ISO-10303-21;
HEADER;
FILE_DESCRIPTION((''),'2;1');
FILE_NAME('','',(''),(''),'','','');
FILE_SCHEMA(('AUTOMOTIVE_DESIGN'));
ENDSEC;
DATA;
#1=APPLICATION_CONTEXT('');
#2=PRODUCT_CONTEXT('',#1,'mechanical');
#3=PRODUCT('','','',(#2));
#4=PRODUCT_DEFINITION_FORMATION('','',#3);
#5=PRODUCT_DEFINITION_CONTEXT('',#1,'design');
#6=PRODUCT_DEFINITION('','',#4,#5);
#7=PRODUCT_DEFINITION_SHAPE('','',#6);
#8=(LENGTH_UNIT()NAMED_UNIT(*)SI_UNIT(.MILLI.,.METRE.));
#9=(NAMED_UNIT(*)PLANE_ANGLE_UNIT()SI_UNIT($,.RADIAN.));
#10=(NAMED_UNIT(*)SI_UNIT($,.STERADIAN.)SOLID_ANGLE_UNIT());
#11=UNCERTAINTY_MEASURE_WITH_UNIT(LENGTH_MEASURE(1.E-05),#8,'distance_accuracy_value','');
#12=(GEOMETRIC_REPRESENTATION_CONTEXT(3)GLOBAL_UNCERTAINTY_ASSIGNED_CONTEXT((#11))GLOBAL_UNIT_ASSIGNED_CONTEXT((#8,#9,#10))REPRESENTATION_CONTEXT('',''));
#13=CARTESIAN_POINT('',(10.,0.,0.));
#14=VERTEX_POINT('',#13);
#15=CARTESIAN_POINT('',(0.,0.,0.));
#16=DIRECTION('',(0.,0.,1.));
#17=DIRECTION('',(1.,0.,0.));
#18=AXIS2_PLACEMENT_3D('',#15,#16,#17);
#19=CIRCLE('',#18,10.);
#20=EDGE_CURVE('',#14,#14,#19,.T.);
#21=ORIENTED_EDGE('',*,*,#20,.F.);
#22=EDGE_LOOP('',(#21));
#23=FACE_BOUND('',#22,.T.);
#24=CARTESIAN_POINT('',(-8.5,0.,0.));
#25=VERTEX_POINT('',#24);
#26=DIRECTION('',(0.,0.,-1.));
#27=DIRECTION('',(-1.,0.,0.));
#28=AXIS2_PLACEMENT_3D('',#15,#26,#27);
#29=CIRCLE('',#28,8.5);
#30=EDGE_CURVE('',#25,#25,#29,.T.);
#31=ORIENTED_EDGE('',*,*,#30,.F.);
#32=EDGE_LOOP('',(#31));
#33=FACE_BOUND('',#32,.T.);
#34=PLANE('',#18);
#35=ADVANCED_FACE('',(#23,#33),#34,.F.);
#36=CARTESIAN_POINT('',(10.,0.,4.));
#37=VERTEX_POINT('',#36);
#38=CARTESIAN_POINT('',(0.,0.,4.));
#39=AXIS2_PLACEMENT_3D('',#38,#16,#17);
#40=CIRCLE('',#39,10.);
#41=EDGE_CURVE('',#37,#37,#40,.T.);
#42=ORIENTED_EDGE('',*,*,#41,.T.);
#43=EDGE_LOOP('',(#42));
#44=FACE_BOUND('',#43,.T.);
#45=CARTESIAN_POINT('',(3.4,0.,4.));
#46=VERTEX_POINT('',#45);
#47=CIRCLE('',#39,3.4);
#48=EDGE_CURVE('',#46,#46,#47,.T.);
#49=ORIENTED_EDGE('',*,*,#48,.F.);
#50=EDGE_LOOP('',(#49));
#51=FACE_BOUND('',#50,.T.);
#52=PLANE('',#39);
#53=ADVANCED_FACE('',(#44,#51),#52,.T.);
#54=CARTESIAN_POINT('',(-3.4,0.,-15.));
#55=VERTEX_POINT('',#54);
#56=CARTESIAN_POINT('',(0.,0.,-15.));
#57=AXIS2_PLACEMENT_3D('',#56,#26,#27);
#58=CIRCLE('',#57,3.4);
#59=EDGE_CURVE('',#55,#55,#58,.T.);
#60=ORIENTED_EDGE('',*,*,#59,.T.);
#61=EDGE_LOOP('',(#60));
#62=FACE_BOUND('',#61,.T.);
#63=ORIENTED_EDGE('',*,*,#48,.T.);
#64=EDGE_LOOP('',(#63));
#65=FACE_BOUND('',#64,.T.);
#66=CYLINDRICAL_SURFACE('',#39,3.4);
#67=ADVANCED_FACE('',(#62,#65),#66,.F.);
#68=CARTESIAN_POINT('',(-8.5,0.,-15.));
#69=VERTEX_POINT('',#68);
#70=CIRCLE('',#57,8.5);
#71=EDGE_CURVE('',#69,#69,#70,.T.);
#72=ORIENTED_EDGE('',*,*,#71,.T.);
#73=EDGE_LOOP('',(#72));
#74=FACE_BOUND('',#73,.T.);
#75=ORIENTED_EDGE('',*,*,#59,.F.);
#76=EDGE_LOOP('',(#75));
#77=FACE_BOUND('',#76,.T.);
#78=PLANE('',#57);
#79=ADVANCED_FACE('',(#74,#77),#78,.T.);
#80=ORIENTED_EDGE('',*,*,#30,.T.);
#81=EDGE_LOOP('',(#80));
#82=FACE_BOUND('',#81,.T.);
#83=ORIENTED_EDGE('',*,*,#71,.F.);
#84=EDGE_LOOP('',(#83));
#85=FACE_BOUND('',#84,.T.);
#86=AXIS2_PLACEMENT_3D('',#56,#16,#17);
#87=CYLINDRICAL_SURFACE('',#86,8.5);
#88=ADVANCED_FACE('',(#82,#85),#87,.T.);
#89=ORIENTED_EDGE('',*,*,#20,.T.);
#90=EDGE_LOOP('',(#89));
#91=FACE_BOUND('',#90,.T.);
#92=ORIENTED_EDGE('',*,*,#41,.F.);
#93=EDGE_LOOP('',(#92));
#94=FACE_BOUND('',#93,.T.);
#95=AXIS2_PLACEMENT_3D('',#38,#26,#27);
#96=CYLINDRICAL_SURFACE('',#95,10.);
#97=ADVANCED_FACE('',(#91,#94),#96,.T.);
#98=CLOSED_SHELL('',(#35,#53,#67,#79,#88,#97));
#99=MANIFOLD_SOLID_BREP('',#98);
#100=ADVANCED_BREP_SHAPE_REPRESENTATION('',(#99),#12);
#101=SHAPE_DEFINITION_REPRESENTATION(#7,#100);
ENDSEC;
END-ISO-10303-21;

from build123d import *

# Parameters (mm, degrees)
SKETCH1_R              = 10
BOSS_EXTRUDE1_DEPTH    = 4
SKETCH2_R              = 8.5
BOSS_EXTRUDE2_DEPTH    = 15
M8X1_25_TAPPED_HOLE2_D = 6.8


with BuildPart() as part:
    # Sketch1 → Boss-Extrude1 (new body)
    with BuildSketch(Plane.XY):
        Circle(SKETCH1_R)
    extrude(amount=BOSS_EXTRUDE1_DEPTH)

    # Sketch2 → Boss-Extrude2 (add)
    with BuildSketch(Plane(origin=(0, 0, 0), x_dir=(-1, 0, 0), z_dir=(0, 0, -1))):
        Circle(SKETCH2_R)
    extrude(amount=BOSS_EXTRUDE2_DEPTH)

    # M8x1.25 Tapped Hole2 (through all)
    with Locations(Plane.XY.offset(4)):
        with Locations((0, 0)):
            Hole(M8X1_25_TAPPED_HOLE2_D / 2)


solid = part.part
